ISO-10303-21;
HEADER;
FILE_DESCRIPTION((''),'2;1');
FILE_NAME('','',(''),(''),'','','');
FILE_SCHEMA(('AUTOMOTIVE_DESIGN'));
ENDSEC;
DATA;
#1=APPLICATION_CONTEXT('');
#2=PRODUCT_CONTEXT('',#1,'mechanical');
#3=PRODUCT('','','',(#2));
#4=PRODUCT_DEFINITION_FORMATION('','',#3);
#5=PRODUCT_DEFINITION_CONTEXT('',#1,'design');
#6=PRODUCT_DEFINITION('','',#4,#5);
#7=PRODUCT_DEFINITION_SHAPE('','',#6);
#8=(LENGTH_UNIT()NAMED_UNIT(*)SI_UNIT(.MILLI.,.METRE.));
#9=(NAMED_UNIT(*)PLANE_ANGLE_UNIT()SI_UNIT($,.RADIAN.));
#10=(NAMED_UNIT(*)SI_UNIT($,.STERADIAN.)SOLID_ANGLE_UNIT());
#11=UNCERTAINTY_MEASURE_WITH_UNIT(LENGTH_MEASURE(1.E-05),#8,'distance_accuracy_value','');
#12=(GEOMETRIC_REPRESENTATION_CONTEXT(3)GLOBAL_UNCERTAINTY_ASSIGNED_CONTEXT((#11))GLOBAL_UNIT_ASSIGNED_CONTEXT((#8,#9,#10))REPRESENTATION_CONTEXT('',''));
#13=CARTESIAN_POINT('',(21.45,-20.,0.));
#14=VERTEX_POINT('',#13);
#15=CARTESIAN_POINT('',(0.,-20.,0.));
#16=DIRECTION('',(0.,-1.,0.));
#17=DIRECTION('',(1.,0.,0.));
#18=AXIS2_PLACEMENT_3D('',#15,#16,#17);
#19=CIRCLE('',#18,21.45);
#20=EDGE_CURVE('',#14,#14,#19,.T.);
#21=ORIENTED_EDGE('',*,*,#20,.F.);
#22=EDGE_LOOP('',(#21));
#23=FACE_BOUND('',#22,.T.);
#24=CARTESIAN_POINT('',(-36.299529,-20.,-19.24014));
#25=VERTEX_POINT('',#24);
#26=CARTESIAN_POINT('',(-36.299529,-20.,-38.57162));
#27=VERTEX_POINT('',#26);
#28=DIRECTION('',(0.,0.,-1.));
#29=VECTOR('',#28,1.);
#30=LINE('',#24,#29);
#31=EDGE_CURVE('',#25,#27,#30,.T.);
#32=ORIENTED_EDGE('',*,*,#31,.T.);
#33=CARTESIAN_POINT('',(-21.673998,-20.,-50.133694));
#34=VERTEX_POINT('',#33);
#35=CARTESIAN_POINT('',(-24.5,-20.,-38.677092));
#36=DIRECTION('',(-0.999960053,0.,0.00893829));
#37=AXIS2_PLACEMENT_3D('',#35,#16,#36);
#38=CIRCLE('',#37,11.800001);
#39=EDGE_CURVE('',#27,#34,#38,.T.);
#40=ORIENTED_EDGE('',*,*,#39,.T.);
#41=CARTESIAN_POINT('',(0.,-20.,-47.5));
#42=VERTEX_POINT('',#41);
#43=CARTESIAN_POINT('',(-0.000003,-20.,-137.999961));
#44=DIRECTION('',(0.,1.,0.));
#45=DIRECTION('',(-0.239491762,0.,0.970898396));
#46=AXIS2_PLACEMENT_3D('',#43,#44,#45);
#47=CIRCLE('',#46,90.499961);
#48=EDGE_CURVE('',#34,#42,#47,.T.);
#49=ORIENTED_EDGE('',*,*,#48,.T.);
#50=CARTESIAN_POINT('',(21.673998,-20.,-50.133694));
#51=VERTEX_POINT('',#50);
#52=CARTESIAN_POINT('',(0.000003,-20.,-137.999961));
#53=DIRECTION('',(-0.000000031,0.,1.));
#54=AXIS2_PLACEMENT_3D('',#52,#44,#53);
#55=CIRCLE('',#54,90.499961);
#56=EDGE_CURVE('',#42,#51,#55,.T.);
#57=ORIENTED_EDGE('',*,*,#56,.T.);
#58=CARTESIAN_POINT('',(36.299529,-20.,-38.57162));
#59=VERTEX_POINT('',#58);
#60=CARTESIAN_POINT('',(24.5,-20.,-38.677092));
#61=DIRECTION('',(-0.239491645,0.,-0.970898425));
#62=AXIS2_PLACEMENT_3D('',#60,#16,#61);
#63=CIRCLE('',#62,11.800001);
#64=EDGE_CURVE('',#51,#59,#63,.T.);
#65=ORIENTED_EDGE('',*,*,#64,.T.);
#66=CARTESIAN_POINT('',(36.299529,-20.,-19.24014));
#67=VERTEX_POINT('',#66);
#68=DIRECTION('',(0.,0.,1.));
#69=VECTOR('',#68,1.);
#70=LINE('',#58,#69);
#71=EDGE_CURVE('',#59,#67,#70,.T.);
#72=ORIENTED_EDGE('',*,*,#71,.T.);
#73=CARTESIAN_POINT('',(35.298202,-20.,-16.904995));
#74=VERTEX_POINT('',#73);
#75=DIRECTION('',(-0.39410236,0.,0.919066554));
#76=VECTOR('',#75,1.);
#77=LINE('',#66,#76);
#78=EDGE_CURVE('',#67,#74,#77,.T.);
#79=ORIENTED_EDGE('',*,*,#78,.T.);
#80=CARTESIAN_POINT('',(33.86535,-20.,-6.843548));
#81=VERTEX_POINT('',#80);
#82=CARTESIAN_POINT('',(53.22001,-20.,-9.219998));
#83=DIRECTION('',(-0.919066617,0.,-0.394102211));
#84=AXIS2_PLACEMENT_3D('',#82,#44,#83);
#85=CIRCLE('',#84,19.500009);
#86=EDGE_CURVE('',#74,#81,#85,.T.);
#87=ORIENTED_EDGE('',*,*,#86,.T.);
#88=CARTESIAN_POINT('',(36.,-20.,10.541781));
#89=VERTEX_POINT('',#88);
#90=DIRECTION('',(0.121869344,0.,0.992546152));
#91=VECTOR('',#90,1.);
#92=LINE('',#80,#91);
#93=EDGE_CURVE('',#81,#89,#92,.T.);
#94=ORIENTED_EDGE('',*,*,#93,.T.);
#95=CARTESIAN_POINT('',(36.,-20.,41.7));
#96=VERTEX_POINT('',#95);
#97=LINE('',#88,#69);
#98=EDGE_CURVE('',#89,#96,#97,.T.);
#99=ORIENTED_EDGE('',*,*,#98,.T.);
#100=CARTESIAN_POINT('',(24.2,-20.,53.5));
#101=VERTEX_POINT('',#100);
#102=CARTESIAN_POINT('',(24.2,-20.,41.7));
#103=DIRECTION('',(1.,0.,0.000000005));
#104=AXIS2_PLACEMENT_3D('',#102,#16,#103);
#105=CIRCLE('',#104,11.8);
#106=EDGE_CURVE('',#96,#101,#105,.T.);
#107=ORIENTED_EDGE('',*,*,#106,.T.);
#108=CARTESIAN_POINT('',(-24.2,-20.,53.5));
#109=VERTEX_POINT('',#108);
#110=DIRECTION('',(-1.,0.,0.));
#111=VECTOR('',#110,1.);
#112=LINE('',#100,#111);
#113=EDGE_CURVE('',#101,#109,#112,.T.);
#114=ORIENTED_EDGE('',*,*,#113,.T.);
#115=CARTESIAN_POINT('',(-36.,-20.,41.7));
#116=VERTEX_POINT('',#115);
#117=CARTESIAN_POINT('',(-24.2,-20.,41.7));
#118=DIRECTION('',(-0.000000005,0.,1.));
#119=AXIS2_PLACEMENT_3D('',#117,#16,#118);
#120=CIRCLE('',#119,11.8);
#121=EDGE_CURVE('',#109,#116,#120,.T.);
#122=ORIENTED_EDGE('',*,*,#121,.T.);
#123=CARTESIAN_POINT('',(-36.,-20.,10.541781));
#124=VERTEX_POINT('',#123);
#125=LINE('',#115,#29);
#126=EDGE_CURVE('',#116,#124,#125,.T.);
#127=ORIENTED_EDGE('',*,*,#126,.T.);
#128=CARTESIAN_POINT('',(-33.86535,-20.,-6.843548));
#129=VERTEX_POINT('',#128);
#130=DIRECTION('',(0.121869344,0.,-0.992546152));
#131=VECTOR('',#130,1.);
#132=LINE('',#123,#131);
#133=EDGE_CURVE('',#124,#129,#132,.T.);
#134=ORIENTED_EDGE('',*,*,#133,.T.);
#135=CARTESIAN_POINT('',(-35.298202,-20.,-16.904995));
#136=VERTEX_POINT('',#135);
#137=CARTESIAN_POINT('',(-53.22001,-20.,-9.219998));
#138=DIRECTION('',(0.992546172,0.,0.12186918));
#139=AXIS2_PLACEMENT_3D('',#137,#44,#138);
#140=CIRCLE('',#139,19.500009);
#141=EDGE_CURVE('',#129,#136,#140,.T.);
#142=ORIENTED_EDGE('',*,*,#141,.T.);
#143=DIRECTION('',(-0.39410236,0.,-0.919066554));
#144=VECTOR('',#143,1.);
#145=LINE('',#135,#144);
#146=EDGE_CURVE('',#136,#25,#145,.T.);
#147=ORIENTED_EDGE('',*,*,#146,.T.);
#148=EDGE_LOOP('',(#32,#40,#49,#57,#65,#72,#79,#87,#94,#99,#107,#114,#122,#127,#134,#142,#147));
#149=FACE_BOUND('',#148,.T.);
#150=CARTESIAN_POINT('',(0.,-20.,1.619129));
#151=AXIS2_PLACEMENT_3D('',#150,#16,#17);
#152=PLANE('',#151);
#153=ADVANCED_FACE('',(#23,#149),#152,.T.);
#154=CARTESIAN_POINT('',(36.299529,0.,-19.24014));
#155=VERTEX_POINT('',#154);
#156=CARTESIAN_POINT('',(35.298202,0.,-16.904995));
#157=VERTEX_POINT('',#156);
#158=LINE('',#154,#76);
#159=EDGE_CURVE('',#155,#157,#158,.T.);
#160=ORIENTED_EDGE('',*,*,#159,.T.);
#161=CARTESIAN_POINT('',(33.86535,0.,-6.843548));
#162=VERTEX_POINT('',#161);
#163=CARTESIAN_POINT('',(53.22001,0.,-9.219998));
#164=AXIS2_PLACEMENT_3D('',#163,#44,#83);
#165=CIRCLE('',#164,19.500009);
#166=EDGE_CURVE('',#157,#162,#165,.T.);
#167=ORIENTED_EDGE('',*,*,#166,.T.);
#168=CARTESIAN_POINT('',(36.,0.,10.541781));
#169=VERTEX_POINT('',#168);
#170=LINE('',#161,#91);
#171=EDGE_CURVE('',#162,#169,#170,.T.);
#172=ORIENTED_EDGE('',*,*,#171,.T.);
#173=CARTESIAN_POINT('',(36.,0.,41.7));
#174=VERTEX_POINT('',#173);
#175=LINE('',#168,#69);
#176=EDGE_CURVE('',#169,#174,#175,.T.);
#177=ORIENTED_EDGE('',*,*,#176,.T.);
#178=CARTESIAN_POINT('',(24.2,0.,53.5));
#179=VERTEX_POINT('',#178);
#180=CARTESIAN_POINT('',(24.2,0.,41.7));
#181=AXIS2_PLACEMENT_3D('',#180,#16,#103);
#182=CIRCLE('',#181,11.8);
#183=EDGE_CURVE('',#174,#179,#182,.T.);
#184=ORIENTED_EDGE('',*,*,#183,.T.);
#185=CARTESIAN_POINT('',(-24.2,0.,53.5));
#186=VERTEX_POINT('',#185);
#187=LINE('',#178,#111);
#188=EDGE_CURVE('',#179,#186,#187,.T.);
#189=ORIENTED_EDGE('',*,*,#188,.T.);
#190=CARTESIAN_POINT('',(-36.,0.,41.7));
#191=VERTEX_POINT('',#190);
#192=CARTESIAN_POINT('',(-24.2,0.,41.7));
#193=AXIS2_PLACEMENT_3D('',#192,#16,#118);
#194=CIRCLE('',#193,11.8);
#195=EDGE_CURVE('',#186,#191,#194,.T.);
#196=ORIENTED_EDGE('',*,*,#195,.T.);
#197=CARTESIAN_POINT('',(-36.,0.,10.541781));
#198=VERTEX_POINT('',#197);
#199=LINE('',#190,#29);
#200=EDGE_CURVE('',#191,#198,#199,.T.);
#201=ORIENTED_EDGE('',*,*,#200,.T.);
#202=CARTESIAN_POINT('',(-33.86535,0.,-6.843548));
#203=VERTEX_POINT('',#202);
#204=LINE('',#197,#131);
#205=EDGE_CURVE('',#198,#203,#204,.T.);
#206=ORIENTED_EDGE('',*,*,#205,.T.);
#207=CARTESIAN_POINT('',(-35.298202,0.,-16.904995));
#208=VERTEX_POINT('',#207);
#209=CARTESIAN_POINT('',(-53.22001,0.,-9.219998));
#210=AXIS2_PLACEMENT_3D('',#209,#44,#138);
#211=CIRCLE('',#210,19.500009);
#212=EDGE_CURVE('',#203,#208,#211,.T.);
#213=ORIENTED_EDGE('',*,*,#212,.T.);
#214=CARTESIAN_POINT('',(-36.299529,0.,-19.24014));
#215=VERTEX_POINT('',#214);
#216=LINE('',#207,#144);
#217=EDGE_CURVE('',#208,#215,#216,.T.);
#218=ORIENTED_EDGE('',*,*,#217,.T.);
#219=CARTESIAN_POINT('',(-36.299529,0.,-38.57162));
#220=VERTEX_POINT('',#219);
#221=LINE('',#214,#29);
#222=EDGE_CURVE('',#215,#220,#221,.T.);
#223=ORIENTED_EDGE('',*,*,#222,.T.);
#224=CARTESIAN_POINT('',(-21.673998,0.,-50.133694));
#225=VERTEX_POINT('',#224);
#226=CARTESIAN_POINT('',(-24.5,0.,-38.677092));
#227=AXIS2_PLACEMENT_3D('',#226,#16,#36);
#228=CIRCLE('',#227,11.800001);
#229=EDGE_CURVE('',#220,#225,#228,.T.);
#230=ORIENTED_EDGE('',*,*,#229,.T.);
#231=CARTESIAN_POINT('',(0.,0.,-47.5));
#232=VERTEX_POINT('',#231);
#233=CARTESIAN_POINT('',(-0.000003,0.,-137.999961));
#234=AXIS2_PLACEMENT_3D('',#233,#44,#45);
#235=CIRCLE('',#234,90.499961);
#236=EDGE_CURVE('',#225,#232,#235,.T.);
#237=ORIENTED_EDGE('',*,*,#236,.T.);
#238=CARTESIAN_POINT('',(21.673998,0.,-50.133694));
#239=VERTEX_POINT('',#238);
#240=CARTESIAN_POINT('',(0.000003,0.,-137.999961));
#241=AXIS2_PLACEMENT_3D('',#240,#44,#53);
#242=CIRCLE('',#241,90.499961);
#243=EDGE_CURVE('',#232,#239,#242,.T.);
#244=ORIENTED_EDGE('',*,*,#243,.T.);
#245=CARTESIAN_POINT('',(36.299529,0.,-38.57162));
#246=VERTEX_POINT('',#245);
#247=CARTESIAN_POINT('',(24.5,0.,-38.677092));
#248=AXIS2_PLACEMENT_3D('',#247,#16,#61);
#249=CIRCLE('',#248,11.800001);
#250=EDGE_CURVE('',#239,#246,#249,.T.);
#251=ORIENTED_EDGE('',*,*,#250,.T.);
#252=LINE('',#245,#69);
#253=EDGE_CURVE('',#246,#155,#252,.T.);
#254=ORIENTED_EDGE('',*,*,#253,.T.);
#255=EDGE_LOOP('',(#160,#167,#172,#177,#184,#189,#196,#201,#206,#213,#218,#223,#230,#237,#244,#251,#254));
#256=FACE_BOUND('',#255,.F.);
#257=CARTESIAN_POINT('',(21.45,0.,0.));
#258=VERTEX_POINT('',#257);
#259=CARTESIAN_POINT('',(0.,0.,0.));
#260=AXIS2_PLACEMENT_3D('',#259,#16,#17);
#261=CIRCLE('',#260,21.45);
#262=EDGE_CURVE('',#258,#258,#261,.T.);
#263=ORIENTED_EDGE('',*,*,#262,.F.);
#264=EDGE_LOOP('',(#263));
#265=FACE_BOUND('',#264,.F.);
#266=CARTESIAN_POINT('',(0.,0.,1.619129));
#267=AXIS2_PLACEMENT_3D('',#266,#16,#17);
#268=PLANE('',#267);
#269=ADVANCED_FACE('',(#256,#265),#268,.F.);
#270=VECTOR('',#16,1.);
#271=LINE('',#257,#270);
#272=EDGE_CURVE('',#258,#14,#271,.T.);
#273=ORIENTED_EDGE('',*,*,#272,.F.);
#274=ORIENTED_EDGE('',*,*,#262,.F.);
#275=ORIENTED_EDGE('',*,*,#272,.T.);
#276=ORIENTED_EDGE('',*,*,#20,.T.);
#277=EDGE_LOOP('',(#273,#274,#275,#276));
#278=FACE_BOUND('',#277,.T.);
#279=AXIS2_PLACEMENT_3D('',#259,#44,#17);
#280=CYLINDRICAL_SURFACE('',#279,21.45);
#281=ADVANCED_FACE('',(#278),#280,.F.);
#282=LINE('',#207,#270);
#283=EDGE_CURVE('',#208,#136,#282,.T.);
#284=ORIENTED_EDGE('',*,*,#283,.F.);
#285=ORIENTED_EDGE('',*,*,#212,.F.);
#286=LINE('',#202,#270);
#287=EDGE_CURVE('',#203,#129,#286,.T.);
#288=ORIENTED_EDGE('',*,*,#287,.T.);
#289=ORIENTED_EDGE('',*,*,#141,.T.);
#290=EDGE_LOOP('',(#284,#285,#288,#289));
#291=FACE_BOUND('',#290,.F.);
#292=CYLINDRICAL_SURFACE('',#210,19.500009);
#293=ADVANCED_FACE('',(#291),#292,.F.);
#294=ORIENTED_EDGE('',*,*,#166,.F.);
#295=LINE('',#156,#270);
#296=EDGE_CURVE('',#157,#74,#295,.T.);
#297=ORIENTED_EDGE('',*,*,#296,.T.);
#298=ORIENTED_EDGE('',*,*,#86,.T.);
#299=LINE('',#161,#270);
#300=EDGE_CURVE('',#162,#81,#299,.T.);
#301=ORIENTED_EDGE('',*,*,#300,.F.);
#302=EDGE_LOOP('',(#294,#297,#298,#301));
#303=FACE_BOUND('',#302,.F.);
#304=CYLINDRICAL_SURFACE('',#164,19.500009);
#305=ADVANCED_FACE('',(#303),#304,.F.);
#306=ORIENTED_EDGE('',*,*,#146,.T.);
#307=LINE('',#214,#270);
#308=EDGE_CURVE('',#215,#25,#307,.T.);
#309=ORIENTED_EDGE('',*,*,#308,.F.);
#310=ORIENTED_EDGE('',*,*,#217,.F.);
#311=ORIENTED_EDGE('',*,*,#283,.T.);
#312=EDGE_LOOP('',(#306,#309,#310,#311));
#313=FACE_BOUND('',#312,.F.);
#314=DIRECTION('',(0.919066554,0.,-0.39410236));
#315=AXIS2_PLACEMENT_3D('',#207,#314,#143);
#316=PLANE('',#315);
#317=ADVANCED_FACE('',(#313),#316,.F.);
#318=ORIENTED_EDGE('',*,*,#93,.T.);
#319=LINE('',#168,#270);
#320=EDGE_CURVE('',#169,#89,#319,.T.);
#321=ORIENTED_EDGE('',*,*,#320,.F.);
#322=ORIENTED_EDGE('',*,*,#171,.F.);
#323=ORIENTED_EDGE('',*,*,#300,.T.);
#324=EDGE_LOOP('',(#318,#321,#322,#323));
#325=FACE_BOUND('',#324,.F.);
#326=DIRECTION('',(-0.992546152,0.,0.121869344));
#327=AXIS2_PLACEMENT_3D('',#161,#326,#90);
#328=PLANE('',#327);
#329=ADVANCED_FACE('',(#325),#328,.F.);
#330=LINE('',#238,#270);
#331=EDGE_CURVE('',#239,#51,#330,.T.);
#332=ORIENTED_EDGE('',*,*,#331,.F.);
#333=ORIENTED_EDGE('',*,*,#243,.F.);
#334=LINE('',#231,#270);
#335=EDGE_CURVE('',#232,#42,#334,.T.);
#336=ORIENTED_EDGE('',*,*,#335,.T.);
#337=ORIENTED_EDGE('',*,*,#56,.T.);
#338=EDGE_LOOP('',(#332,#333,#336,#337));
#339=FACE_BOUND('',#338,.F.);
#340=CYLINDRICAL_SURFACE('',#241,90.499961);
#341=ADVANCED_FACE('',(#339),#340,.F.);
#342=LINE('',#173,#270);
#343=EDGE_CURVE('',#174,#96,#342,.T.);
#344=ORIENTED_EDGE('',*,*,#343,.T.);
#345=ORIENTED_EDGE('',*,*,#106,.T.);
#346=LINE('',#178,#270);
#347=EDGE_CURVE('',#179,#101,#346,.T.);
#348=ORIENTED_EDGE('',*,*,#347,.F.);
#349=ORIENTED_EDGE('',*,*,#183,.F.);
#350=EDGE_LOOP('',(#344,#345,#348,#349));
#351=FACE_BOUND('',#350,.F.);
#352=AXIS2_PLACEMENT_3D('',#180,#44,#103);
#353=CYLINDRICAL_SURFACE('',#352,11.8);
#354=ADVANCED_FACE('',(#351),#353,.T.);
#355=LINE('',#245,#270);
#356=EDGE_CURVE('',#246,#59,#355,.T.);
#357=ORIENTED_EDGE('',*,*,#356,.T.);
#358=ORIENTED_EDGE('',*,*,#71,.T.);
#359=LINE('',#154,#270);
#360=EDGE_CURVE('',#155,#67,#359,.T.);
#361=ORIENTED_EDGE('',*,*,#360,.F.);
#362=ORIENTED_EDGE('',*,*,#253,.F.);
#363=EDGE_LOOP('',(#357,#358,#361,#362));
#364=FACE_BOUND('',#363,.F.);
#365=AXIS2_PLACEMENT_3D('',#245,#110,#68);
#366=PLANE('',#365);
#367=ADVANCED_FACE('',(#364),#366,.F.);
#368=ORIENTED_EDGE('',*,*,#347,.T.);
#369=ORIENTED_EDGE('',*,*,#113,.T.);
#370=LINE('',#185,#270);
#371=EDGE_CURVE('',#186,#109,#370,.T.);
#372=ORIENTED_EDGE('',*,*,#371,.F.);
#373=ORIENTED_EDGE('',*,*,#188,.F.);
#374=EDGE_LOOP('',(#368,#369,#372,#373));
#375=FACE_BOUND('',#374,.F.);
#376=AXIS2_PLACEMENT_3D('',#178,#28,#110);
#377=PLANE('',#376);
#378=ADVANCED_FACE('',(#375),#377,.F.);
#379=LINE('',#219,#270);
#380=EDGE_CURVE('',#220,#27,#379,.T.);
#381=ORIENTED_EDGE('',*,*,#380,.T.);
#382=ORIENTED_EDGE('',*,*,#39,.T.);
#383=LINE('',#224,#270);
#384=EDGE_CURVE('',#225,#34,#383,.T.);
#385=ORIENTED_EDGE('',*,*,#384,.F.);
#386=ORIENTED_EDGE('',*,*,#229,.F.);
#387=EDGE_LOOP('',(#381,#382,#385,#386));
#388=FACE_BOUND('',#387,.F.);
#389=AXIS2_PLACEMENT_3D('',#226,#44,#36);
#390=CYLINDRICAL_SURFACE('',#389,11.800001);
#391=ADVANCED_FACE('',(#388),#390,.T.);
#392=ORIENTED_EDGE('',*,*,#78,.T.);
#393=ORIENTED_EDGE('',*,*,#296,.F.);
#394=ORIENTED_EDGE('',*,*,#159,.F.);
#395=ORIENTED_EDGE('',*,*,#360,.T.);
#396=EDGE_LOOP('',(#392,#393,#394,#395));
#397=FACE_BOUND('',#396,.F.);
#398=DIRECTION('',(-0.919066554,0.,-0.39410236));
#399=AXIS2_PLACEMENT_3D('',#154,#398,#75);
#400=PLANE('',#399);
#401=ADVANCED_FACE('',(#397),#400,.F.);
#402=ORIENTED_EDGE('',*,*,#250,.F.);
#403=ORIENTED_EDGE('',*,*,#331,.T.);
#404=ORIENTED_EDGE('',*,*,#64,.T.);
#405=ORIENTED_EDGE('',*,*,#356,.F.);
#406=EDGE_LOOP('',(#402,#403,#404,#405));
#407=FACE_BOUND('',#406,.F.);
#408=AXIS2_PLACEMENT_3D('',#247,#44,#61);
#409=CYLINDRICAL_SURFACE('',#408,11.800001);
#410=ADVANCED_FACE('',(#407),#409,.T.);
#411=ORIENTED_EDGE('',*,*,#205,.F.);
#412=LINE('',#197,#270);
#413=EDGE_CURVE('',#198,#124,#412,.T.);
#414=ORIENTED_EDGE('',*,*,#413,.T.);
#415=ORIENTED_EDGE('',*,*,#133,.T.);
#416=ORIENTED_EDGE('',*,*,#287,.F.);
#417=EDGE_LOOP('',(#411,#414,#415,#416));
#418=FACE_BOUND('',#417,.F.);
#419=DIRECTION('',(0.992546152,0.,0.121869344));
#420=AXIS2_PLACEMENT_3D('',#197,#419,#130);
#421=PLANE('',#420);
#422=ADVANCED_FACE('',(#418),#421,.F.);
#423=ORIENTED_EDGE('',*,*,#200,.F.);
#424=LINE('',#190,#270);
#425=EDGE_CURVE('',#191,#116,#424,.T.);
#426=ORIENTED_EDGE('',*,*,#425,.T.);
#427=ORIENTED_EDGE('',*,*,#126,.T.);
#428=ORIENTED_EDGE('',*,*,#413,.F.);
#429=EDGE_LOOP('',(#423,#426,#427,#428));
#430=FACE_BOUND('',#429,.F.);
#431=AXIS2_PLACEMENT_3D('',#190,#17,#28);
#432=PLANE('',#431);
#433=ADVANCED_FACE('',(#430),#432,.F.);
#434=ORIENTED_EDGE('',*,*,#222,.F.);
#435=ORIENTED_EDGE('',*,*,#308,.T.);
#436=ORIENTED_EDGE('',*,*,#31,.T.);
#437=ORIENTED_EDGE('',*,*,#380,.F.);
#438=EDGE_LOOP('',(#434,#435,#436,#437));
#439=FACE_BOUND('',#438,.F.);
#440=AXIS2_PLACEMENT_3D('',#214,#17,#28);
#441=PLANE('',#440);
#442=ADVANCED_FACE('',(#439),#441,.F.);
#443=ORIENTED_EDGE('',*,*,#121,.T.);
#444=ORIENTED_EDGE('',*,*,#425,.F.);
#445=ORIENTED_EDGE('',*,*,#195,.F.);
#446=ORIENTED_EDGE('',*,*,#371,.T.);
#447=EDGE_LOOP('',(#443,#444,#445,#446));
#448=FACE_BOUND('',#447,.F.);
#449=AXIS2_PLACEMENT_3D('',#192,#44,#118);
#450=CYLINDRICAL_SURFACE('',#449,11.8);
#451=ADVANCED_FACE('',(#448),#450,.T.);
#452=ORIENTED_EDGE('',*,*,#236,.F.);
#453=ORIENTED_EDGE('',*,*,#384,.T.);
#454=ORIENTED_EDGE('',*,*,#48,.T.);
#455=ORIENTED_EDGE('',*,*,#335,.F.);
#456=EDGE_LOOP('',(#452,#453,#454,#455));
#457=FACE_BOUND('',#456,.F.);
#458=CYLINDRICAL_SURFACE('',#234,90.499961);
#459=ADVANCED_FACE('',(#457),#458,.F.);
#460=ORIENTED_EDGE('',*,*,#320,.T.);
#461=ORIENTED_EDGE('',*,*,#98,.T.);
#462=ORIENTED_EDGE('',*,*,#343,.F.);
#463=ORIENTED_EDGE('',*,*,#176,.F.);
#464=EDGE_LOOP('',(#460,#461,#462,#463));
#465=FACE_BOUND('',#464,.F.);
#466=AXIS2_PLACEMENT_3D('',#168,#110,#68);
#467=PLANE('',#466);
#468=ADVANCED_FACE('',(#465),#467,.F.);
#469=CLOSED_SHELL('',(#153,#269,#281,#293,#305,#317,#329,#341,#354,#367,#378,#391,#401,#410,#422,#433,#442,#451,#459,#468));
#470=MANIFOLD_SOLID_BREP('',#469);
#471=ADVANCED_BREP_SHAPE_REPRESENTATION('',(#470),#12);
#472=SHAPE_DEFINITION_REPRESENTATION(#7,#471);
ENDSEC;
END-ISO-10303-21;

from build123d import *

# Parameters (mm, degrees)
F0_R     = 21.45
F1_DEPTH = 20


with BuildPart() as f1:
    # F0 (on Front) → F1 (new body)
    with BuildSketch(Plane.XZ):
        with BuildLine():
            Line((24.2, 53.5), (-24.2, 53.5))
            ThreePointArc((-24.2, 53.5), (-32.54386, 50.04386), (-36, 41.7))
            Line((-36, 41.7), (-36, 10.541781))
            Line((-36, 10.541781), (-33.86535, -6.843548))
            ThreePointArc((-33.86535, -6.843548), (-33.914779, -11.969259), (-35.298202, -16.904995))
            Line((-35.298202, -16.904995), (-36.299529, -19.24014))
            Line((-36.299529, -19.24014), (-36.299529, -38.57162))
            ThreePointArc((-36.299529, -38.57162), (-31.817885, -47.933904), (-21.673998, -50.133694))
            ThreePointArc((-21.673998, -50.133694), (-10.916713, -48.160836), (0, -47.5))
            ThreePointArc((0, -47.5), (10.916713, -48.160836), (21.673998, -50.133694))
            ThreePointArc((21.673998, -50.133694), (31.817885, -47.933904), (36.299529, -38.57162))
            Line((36.299529, -38.57162), (36.299529, -19.24014))
            Line((36.299529, -19.24014), (35.298202, -16.904995))
            ThreePointArc((35.298202, -16.904995), (33.914779, -11.969259), (33.86535, -6.843548))
            Line((33.86535, -6.843548), (36, 10.541781))
            Line((36, 10.541781), (36, 41.7))
            ThreePointArc((36, 41.7), (32.54386, 50.04386), (24.2, 53.5))
        make_face()
        Circle(F0_R, mode=Mode.SUBTRACT)
    extrude(amount=F1_DEPTH)


solid = f1.part
